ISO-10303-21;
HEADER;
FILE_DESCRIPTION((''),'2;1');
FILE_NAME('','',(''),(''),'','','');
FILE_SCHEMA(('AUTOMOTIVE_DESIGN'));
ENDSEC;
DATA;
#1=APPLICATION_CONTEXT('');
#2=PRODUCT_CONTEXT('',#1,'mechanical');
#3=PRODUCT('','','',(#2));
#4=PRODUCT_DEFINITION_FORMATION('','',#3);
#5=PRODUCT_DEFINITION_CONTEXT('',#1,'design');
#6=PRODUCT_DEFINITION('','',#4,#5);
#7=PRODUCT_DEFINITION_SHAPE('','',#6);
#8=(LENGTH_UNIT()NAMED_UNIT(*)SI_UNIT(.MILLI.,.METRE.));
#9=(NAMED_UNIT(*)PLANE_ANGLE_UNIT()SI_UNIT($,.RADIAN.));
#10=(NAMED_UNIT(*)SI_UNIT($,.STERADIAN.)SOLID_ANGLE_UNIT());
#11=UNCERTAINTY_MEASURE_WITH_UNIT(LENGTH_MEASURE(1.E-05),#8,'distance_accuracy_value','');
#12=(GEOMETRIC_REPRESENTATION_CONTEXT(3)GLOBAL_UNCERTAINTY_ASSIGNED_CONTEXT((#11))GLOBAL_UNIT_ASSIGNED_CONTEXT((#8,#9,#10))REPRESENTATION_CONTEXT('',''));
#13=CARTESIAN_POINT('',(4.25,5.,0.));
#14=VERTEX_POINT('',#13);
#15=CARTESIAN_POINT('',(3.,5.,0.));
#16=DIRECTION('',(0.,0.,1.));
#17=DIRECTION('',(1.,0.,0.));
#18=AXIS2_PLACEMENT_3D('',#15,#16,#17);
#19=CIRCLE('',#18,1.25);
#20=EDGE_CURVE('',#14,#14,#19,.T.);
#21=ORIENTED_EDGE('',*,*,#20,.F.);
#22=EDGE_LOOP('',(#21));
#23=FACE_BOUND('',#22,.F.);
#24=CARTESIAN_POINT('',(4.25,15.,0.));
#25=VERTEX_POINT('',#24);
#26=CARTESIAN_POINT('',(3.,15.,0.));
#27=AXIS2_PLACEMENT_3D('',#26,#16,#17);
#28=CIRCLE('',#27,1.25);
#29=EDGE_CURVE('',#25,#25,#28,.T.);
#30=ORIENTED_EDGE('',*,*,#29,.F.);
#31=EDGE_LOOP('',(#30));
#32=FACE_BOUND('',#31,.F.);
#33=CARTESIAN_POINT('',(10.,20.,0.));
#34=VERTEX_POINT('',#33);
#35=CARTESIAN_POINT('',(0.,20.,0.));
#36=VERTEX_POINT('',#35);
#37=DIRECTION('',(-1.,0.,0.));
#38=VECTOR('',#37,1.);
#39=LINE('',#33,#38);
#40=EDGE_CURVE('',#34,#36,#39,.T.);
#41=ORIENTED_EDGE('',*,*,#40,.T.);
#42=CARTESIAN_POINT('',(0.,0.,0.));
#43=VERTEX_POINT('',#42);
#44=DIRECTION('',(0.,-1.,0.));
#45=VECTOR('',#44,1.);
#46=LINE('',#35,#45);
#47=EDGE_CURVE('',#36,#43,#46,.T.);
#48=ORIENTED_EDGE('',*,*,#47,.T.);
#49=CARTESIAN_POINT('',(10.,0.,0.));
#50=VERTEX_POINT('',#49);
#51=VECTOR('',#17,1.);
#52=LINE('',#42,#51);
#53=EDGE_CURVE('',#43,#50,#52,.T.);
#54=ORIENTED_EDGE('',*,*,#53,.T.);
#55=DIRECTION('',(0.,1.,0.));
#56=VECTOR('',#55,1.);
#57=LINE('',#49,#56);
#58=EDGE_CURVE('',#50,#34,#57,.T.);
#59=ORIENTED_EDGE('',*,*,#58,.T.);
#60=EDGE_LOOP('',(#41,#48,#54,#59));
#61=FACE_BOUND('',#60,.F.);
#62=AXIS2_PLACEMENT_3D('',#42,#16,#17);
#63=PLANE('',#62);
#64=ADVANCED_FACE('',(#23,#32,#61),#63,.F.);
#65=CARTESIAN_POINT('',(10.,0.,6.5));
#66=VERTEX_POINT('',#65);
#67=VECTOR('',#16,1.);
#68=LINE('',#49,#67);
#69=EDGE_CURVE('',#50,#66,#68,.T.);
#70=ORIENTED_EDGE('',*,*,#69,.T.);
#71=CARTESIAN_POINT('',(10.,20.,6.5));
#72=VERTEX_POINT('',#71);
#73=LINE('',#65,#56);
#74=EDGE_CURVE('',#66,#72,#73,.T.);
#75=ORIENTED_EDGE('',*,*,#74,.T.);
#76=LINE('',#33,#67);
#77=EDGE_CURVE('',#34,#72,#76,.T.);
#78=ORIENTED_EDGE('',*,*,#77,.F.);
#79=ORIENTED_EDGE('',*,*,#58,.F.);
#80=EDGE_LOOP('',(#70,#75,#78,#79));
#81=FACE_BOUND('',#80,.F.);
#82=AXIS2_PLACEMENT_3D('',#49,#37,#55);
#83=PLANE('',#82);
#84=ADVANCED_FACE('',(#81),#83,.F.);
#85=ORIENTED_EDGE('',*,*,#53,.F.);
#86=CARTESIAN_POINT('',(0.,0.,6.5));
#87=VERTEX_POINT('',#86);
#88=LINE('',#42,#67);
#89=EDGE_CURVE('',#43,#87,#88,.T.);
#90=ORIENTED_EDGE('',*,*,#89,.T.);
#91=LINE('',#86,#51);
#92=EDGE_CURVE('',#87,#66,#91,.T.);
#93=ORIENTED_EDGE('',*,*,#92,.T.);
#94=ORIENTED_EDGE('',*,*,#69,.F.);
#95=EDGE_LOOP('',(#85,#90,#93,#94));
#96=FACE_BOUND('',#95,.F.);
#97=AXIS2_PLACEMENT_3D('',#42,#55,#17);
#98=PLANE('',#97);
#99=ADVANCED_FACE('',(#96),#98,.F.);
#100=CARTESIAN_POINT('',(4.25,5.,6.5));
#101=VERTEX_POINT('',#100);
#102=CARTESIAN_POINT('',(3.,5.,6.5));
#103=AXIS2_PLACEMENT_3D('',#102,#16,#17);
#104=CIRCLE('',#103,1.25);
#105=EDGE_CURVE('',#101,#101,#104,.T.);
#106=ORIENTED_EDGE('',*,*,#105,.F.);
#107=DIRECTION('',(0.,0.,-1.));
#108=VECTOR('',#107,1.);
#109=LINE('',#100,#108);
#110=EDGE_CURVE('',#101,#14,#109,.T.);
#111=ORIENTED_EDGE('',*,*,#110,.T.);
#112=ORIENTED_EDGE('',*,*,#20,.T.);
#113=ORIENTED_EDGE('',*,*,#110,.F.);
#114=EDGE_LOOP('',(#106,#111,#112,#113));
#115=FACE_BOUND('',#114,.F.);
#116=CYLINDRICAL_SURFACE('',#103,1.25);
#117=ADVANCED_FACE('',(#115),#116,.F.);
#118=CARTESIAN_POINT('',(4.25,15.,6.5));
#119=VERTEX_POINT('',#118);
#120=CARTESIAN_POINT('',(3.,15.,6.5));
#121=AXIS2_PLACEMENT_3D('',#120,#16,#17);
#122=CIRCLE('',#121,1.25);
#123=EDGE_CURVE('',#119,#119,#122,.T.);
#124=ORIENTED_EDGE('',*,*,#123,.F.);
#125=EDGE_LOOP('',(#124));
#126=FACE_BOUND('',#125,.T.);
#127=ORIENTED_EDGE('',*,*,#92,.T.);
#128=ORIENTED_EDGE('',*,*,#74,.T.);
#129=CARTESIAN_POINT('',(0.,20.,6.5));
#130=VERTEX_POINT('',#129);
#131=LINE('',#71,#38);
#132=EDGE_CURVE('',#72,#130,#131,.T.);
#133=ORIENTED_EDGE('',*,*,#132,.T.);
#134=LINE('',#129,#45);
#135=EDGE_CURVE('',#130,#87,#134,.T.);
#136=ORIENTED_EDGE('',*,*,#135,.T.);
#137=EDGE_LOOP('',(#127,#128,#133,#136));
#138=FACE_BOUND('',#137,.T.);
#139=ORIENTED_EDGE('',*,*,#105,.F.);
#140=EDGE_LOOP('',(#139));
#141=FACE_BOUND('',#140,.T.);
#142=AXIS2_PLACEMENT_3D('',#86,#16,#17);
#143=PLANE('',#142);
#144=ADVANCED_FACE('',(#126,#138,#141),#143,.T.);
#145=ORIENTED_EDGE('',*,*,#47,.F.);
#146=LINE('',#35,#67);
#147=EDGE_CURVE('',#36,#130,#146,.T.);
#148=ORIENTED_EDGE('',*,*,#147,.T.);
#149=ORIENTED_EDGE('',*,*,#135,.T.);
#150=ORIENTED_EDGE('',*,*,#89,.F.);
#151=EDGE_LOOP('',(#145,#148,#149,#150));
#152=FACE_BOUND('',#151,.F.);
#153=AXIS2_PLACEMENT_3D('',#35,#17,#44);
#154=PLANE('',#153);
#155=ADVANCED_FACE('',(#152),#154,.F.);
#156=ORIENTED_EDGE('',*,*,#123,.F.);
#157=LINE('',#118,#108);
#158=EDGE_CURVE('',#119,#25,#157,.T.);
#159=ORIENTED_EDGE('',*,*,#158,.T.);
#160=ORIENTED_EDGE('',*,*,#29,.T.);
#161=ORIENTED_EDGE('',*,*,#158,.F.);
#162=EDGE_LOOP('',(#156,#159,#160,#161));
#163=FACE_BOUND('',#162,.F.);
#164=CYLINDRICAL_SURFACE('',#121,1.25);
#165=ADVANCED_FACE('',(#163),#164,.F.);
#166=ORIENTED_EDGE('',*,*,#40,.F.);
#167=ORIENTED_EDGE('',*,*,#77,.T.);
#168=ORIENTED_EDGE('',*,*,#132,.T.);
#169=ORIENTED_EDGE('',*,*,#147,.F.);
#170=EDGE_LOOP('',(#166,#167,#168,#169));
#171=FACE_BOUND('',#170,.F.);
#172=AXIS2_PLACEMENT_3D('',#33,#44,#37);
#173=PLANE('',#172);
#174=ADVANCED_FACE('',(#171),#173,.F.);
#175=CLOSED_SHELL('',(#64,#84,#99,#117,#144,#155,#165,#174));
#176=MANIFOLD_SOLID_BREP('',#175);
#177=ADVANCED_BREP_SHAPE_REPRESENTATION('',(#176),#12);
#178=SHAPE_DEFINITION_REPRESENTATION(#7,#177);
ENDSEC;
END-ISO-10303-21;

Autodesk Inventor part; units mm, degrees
ref_plane "YZ Plane" through (0, 0, 0) normal (1, 0, 0) x (0, 1, 0)
ref_plane "XZ Plane" through (0, 0, 0) normal (0, 1, 0) x (-1, 0, 0)
ref_plane "XY Plane" through (0, 0, 0) normal (0, 0, 1) x (1, 0, 0)
sketch "Sketch1" plane through (0, 0, 0) normal (0, 0, 1) x (1, 0, 0)
  line L0 (0, 0) -> (10, 0)
  line L1 (10, 0) -> (10, 20)
  line L2 (10, 20) -> (0, 20)
  line L3 (0, 20) -> (0, 0)
  dimension "d0" = 10
  dimension "d1" = 20
extrude "Extrusion1" add sketch "Sketch1" along normal blind 6.5
sketch "Sketch2" plane through (0, 0, 6.5) normal (0, 0, 1) x (1, 0, 0)
  circle A0 centre (3, 15) radius 1.25
  circle A1 centre (3, 5) radius 1.25
  line L0 (10, 0) -> (10, 20) projected
  line L1 (10, 20) -> (0, 20) projected
  line L2 (0, 20) -> (0, 0) projected
  line L3 (0, 0) -> (10, 0) projected
  dimension "d4" = 5
  dimension "d5" = 2.5
  dimension "d6" = 3
  dimension "d7" = 5
  dimension "d8" = 3
  dimension "d9" = 2.5
extrude "Extrusion2" cut sketch "Sketch2" against normal through all contours A0 | A1
ref_plane "Work Plane1" through (0, 0, 3.25) normal (0, 0, 1) x (1, 0, 0)
properties part number "micro-switch"
